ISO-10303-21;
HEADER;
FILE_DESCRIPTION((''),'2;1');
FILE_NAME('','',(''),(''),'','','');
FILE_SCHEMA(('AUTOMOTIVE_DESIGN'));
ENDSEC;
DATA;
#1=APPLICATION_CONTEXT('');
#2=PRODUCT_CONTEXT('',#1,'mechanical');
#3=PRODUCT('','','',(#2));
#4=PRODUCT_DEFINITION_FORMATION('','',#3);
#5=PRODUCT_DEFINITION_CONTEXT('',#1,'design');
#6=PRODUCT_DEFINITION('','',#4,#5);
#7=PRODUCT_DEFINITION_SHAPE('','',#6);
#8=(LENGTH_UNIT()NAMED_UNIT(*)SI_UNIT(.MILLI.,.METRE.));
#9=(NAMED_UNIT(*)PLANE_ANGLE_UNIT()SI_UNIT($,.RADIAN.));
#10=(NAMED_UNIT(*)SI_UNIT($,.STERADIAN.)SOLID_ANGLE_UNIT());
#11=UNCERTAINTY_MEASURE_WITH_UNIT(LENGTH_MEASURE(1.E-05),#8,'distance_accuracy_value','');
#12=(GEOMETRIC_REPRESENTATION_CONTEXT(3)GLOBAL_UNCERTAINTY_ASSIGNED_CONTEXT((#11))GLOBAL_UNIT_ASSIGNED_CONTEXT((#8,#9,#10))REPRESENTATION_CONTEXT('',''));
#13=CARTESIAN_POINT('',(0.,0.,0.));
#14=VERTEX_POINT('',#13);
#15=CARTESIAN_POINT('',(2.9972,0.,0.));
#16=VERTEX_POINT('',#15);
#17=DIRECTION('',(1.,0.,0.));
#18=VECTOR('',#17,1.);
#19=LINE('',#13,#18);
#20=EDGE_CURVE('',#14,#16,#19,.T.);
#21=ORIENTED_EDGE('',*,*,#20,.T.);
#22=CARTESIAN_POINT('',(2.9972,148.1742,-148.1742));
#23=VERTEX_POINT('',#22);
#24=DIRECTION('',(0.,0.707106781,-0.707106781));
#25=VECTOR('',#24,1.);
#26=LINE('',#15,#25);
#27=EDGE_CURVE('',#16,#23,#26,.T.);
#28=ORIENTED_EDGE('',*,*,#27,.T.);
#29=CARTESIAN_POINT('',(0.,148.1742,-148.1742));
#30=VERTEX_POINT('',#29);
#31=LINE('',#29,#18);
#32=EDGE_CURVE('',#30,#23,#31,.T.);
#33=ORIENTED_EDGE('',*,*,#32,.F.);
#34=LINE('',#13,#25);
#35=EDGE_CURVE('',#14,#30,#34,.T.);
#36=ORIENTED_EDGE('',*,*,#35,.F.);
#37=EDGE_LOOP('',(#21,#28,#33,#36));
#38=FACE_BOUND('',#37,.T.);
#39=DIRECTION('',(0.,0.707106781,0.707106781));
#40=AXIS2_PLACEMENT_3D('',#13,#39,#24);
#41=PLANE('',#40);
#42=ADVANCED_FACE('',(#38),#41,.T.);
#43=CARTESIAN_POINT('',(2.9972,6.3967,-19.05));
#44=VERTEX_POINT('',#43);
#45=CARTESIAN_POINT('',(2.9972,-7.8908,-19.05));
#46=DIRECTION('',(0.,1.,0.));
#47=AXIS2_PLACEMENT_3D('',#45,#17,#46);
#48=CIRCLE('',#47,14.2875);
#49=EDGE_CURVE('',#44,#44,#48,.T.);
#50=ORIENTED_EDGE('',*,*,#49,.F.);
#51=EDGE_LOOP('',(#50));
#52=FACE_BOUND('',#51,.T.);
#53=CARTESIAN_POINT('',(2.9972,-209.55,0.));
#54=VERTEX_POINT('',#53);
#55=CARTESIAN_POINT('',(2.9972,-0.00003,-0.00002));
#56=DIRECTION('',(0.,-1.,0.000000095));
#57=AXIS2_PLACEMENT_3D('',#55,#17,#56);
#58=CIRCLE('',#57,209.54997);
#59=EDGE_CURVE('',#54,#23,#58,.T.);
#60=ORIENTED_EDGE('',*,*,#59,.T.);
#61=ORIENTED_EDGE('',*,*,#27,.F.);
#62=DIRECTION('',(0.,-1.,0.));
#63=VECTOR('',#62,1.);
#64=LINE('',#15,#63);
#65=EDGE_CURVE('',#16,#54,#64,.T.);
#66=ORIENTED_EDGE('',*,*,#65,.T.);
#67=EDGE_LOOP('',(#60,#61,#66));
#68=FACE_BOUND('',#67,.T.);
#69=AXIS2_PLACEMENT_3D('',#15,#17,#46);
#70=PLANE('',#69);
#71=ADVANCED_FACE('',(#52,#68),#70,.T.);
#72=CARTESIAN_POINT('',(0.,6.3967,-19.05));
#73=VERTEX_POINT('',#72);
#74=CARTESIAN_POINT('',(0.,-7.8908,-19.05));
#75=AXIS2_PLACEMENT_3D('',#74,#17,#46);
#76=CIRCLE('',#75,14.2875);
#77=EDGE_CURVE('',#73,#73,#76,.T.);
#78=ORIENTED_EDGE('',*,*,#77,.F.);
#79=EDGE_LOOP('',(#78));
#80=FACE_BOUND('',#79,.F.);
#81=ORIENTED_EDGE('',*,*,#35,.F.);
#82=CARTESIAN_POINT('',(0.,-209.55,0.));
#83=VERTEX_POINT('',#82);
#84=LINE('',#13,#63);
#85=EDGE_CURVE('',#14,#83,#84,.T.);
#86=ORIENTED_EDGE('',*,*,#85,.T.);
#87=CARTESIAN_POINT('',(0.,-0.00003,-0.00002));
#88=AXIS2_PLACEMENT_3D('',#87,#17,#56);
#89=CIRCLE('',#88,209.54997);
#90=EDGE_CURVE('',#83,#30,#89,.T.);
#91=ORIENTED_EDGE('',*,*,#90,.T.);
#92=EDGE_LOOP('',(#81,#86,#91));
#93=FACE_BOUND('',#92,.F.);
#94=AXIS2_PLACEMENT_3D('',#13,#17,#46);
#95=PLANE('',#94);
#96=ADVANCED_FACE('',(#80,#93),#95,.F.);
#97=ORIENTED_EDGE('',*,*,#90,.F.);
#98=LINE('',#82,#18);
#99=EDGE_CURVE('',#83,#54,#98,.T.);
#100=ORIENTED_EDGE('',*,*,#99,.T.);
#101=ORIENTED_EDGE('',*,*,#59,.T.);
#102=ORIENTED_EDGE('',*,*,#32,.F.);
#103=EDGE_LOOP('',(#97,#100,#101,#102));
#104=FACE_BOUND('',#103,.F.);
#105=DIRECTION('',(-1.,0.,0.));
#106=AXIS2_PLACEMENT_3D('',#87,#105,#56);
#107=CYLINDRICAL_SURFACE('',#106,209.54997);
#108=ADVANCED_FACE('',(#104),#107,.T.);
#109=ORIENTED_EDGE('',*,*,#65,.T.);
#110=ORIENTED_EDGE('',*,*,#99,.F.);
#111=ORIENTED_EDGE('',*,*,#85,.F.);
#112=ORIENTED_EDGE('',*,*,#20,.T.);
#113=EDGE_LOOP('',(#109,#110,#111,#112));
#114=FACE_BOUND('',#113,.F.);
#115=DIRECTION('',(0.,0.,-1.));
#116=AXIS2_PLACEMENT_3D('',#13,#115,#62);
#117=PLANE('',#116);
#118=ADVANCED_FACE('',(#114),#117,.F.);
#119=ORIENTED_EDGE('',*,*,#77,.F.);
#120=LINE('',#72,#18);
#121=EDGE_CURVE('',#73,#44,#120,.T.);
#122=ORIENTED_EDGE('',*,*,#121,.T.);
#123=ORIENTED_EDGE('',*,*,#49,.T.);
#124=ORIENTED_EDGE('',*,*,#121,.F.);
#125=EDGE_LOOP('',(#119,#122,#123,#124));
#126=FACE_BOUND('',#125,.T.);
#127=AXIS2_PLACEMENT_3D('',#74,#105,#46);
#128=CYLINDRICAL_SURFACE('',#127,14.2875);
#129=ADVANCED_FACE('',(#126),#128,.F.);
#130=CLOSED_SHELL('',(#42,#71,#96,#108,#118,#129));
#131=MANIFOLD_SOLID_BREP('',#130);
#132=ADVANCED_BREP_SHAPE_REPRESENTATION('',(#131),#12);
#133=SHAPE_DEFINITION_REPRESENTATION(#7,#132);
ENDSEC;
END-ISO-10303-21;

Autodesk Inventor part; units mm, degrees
ref_plane "YZ Plane" through (0, 0, 0) normal (1, 0, 0) x (0, 1, 0)
ref_plane "XZ Plane" through (0, 0, 0) normal (0, 1, 0) x (-1, 0, 0)
ref_plane "XY Plane" through (0, 0, 0) normal (0, 0, 1) x (1, 0, 0)
sketch "Sketch1" plane through (0, 0, 0) normal (1, 0, 0) x (0, 1, 0)
  line L0 (0, 0) -> (148.1742, -148.1742)
  line L1 (0, 0) -> (-209.55, 0)
  arc A0 (-209.55, 0) -> (148.1742, -148.1742) centre (0, 0) ccw
  circle A1 centre (-7.8908, -19.05) radius 14.2875
  line L2 (0, 0) -> (-7.8908, -19.05) construction
  circle A2 centre (-7.8908, -19.05) radius 25.4 construction
  arc A3 (-196.85, 0) -> (139.194, -139.194) centre (0, 0) ccw construction
  arc A4 (-209.55, 0) -> (148.1742, -148.1742) centre (0, 0) ccw construction
  arc A5 (-184.15, 0) -> (130.2137, -130.2137) centre (0, 0) ccw construction
  arc A6 (-184.15, 0) -> (-209.55, 0) centre (-196.85, 0) ccw construction
  arc A7 (148.1742, -148.1742) -> (130.2137, -130.2137) centre (139.194, -139.194) ccw construction
  line L3 (0, 0) -> (0, -209.55) construction
  dimension "d0" = 135
  dimension "d1" = 67.5
  dimension "d2" = 28.575
  dimension "d3" = 19.05
  dimension "d4" = 50.8
  dimension "d5" = 209.55
  dimension "d8" = 12.7
  dimension "d9" = 209.55
  dimension "d10" = 209.55
extrude "Extrusion1" add sketch "Sketch1" along normal blind 2.9972
properties part number "Shooter side panel" material "Polycarbonate, Clear"
